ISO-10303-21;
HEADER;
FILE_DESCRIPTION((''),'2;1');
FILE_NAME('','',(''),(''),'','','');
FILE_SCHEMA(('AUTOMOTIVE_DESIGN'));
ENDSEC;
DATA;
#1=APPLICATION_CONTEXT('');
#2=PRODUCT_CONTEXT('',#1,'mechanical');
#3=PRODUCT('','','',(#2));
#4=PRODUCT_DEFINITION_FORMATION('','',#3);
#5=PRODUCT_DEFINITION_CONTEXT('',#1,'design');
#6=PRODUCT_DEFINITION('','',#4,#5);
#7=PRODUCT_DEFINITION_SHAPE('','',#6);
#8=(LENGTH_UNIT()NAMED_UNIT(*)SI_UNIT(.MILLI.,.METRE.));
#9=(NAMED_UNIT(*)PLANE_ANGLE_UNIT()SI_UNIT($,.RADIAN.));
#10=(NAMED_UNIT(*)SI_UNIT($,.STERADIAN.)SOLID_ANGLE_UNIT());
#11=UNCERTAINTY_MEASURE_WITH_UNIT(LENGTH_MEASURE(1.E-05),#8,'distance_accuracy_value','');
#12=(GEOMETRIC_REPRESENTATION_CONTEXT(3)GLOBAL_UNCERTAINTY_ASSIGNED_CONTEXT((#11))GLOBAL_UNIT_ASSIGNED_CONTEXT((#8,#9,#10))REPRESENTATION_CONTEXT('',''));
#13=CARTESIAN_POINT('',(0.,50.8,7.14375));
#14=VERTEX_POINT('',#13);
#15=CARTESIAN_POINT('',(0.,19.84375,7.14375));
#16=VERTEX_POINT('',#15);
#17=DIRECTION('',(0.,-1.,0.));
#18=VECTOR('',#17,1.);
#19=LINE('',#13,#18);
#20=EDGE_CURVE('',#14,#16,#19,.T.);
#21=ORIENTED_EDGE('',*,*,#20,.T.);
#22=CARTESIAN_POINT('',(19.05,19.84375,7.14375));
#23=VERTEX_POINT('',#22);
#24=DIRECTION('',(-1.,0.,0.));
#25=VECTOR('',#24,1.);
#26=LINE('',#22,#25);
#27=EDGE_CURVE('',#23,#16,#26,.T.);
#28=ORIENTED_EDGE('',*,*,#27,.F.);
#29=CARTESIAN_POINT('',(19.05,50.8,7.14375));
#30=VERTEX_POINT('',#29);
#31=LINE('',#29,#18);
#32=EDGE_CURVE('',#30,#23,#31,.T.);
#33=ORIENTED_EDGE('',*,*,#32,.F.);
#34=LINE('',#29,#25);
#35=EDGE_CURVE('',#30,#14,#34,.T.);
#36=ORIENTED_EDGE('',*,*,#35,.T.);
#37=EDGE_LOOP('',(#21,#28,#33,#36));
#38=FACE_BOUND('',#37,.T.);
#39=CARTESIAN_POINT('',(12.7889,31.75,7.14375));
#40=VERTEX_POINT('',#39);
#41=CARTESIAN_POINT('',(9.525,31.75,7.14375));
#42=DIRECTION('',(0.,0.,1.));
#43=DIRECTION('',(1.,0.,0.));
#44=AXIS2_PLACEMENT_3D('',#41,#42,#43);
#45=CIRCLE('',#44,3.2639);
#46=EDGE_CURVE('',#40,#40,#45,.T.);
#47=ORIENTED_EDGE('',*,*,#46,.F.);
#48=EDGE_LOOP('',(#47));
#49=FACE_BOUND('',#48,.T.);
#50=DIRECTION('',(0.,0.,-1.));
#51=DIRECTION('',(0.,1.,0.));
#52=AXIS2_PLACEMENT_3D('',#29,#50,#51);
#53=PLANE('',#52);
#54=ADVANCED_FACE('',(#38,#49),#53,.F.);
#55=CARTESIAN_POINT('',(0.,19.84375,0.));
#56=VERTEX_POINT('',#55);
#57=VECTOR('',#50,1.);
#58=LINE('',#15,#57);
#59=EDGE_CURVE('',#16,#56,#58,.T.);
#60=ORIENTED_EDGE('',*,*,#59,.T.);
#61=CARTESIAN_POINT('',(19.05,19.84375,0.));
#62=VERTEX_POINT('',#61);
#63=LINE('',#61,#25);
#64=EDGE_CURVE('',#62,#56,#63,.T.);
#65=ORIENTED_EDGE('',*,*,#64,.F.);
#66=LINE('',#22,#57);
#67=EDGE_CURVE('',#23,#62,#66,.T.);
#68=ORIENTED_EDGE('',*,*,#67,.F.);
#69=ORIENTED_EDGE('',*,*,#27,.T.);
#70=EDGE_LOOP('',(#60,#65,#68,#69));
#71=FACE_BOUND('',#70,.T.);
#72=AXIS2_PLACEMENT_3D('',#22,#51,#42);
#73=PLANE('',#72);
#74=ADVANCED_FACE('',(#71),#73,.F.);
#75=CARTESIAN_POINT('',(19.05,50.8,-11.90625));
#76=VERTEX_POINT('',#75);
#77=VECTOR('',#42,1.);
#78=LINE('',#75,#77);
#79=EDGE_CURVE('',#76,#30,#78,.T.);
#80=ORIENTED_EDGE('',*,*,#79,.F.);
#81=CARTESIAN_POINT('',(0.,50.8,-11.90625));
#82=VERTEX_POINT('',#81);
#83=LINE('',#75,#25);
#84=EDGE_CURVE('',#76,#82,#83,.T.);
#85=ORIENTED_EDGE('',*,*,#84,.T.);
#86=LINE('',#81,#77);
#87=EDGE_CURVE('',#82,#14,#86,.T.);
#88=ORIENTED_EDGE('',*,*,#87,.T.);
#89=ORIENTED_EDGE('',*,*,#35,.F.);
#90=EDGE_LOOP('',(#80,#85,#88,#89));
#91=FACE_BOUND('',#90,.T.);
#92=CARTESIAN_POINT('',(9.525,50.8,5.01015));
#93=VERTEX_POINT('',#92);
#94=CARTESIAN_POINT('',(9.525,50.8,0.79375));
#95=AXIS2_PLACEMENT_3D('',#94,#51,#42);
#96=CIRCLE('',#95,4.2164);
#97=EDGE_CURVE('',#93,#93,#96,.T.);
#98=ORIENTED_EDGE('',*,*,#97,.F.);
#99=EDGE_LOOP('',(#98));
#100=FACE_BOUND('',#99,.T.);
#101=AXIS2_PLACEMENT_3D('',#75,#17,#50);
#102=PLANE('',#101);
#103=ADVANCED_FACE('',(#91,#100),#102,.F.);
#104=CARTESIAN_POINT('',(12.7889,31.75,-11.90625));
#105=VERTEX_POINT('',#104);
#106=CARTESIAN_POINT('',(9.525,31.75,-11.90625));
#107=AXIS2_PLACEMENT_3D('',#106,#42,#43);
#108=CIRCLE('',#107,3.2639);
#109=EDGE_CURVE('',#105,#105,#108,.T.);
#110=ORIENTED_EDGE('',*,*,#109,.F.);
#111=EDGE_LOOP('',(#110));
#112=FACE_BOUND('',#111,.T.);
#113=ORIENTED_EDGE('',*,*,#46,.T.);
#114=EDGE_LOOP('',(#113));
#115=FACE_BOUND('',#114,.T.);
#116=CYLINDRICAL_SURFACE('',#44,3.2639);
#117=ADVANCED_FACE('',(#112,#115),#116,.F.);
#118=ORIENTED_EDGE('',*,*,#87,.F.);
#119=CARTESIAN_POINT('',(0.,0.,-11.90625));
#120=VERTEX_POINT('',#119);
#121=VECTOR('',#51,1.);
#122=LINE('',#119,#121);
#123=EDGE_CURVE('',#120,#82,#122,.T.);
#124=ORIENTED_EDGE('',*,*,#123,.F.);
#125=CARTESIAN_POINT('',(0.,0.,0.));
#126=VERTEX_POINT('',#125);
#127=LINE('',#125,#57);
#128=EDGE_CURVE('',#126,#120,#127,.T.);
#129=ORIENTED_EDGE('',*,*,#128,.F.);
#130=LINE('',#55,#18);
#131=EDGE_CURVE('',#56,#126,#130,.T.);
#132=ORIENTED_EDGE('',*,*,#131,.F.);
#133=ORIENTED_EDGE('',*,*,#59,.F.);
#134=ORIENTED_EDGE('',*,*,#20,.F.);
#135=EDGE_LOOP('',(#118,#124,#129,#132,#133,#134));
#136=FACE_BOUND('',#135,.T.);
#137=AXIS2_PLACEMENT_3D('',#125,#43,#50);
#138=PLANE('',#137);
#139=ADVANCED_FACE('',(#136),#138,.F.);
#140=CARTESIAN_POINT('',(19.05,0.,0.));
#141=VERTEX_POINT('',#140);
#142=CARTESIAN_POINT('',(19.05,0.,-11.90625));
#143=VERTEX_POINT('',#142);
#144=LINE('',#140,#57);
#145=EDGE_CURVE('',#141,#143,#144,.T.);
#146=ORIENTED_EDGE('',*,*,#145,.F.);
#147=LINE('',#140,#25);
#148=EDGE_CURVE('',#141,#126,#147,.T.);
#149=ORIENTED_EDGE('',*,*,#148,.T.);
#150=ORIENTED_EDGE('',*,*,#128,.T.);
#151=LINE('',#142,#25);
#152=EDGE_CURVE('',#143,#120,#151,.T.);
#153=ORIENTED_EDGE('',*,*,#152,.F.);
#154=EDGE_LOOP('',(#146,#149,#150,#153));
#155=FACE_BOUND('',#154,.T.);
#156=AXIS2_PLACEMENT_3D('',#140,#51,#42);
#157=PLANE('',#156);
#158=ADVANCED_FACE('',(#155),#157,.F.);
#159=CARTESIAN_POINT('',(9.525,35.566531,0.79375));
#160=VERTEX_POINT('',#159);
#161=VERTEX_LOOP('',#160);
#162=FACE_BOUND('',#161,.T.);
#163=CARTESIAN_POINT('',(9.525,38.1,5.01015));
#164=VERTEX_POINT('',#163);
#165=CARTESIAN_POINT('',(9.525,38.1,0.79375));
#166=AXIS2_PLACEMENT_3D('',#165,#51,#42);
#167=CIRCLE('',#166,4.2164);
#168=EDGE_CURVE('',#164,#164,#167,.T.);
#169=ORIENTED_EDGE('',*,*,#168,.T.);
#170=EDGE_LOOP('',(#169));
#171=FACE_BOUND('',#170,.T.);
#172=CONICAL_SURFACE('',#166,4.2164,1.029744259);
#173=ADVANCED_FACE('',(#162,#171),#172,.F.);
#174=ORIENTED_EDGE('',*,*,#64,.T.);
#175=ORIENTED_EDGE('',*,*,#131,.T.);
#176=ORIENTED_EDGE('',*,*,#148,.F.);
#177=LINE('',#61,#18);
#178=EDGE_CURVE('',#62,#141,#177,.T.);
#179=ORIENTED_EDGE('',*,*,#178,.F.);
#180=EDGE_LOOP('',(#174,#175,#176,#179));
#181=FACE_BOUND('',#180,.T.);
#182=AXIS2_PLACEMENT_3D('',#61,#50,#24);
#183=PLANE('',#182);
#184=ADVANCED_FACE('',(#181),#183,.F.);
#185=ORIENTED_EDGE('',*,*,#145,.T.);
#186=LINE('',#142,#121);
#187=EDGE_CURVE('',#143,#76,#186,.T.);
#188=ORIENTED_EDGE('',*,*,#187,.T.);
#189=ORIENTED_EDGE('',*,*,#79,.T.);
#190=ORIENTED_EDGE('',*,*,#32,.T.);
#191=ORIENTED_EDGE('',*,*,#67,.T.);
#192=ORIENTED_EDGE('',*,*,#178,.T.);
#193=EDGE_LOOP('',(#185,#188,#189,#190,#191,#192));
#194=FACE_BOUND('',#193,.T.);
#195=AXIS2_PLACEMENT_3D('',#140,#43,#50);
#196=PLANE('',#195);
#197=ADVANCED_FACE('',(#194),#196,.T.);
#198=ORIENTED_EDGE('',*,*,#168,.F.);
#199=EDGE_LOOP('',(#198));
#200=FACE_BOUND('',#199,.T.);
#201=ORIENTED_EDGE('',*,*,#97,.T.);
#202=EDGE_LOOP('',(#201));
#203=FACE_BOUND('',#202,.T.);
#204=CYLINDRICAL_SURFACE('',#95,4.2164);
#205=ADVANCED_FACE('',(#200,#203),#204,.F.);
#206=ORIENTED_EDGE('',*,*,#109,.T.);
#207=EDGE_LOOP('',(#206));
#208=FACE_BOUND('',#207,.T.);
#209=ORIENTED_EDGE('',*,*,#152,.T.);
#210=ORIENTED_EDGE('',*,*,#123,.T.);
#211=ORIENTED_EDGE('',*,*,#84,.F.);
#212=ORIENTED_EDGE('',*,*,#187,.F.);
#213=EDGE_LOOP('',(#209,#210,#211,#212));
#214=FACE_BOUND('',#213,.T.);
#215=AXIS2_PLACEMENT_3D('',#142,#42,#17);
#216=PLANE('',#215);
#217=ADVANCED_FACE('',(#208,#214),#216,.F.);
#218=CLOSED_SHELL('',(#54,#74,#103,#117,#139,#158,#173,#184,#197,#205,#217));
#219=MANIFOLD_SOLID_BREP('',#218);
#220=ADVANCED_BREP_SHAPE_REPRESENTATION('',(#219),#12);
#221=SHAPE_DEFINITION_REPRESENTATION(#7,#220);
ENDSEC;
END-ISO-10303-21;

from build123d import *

# Parameters (mm, degrees)
EXTRUDE1_DEPTH              = 19.05
F_5_16_18_TAPPED_HOLE1_D    = 6.5278
F_3_8_24_TAPPED_HOLE1_D     = 8.4328
F_3_8_24_TAPPED_HOLE1_DEPTH = 12.7
F_3_8_24_TAPPED_HOLE1_TIP   = 2.533468714


with BuildPart() as part:
    # Sketch1 → Extrude1 (new body)
    with BuildSketch(Plane(origin=(0, 0, 0), x_dir=(0, 0, -1), z_dir=(1, 0, 0))):
        Polygon((0, 0), (11.90625, 0), (11.90625, 50.8), (-7.14375, 50.8), (-7.14375, 19.84375), (0, 19.84375), align=None)
    extrude(amount=EXTRUDE1_DEPTH)

    # 5/16-18 Tapped Hole1 (through all)
    with Locations(Plane.XY.offset(7.14375)):
        with Locations((9.525, 31.75)):
            Hole(F_5_16_18_TAPPED_HOLE1_D / 2)

    # 3/8-24 Tapped Hole1
    with Locations(Plane(origin=(0, 50.8, 0), x_dir=(-1, 0, 0), z_dir=(0, 1, 0))):
        with Locations((-9.525, 0.79375)):
            Hole(F_3_8_24_TAPPED_HOLE1_D / 2, depth=F_3_8_24_TAPPED_HOLE1_DEPTH)
            with Locations((0, 0, -(F_3_8_24_TAPPED_HOLE1_DEPTH + F_3_8_24_TAPPED_HOLE1_TIP / 2))):  # 118° drill point
                Cone(0, F_3_8_24_TAPPED_HOLE1_D / 2, F_3_8_24_TAPPED_HOLE1_TIP, mode=Mode.SUBTRACT)


solid = part.part
